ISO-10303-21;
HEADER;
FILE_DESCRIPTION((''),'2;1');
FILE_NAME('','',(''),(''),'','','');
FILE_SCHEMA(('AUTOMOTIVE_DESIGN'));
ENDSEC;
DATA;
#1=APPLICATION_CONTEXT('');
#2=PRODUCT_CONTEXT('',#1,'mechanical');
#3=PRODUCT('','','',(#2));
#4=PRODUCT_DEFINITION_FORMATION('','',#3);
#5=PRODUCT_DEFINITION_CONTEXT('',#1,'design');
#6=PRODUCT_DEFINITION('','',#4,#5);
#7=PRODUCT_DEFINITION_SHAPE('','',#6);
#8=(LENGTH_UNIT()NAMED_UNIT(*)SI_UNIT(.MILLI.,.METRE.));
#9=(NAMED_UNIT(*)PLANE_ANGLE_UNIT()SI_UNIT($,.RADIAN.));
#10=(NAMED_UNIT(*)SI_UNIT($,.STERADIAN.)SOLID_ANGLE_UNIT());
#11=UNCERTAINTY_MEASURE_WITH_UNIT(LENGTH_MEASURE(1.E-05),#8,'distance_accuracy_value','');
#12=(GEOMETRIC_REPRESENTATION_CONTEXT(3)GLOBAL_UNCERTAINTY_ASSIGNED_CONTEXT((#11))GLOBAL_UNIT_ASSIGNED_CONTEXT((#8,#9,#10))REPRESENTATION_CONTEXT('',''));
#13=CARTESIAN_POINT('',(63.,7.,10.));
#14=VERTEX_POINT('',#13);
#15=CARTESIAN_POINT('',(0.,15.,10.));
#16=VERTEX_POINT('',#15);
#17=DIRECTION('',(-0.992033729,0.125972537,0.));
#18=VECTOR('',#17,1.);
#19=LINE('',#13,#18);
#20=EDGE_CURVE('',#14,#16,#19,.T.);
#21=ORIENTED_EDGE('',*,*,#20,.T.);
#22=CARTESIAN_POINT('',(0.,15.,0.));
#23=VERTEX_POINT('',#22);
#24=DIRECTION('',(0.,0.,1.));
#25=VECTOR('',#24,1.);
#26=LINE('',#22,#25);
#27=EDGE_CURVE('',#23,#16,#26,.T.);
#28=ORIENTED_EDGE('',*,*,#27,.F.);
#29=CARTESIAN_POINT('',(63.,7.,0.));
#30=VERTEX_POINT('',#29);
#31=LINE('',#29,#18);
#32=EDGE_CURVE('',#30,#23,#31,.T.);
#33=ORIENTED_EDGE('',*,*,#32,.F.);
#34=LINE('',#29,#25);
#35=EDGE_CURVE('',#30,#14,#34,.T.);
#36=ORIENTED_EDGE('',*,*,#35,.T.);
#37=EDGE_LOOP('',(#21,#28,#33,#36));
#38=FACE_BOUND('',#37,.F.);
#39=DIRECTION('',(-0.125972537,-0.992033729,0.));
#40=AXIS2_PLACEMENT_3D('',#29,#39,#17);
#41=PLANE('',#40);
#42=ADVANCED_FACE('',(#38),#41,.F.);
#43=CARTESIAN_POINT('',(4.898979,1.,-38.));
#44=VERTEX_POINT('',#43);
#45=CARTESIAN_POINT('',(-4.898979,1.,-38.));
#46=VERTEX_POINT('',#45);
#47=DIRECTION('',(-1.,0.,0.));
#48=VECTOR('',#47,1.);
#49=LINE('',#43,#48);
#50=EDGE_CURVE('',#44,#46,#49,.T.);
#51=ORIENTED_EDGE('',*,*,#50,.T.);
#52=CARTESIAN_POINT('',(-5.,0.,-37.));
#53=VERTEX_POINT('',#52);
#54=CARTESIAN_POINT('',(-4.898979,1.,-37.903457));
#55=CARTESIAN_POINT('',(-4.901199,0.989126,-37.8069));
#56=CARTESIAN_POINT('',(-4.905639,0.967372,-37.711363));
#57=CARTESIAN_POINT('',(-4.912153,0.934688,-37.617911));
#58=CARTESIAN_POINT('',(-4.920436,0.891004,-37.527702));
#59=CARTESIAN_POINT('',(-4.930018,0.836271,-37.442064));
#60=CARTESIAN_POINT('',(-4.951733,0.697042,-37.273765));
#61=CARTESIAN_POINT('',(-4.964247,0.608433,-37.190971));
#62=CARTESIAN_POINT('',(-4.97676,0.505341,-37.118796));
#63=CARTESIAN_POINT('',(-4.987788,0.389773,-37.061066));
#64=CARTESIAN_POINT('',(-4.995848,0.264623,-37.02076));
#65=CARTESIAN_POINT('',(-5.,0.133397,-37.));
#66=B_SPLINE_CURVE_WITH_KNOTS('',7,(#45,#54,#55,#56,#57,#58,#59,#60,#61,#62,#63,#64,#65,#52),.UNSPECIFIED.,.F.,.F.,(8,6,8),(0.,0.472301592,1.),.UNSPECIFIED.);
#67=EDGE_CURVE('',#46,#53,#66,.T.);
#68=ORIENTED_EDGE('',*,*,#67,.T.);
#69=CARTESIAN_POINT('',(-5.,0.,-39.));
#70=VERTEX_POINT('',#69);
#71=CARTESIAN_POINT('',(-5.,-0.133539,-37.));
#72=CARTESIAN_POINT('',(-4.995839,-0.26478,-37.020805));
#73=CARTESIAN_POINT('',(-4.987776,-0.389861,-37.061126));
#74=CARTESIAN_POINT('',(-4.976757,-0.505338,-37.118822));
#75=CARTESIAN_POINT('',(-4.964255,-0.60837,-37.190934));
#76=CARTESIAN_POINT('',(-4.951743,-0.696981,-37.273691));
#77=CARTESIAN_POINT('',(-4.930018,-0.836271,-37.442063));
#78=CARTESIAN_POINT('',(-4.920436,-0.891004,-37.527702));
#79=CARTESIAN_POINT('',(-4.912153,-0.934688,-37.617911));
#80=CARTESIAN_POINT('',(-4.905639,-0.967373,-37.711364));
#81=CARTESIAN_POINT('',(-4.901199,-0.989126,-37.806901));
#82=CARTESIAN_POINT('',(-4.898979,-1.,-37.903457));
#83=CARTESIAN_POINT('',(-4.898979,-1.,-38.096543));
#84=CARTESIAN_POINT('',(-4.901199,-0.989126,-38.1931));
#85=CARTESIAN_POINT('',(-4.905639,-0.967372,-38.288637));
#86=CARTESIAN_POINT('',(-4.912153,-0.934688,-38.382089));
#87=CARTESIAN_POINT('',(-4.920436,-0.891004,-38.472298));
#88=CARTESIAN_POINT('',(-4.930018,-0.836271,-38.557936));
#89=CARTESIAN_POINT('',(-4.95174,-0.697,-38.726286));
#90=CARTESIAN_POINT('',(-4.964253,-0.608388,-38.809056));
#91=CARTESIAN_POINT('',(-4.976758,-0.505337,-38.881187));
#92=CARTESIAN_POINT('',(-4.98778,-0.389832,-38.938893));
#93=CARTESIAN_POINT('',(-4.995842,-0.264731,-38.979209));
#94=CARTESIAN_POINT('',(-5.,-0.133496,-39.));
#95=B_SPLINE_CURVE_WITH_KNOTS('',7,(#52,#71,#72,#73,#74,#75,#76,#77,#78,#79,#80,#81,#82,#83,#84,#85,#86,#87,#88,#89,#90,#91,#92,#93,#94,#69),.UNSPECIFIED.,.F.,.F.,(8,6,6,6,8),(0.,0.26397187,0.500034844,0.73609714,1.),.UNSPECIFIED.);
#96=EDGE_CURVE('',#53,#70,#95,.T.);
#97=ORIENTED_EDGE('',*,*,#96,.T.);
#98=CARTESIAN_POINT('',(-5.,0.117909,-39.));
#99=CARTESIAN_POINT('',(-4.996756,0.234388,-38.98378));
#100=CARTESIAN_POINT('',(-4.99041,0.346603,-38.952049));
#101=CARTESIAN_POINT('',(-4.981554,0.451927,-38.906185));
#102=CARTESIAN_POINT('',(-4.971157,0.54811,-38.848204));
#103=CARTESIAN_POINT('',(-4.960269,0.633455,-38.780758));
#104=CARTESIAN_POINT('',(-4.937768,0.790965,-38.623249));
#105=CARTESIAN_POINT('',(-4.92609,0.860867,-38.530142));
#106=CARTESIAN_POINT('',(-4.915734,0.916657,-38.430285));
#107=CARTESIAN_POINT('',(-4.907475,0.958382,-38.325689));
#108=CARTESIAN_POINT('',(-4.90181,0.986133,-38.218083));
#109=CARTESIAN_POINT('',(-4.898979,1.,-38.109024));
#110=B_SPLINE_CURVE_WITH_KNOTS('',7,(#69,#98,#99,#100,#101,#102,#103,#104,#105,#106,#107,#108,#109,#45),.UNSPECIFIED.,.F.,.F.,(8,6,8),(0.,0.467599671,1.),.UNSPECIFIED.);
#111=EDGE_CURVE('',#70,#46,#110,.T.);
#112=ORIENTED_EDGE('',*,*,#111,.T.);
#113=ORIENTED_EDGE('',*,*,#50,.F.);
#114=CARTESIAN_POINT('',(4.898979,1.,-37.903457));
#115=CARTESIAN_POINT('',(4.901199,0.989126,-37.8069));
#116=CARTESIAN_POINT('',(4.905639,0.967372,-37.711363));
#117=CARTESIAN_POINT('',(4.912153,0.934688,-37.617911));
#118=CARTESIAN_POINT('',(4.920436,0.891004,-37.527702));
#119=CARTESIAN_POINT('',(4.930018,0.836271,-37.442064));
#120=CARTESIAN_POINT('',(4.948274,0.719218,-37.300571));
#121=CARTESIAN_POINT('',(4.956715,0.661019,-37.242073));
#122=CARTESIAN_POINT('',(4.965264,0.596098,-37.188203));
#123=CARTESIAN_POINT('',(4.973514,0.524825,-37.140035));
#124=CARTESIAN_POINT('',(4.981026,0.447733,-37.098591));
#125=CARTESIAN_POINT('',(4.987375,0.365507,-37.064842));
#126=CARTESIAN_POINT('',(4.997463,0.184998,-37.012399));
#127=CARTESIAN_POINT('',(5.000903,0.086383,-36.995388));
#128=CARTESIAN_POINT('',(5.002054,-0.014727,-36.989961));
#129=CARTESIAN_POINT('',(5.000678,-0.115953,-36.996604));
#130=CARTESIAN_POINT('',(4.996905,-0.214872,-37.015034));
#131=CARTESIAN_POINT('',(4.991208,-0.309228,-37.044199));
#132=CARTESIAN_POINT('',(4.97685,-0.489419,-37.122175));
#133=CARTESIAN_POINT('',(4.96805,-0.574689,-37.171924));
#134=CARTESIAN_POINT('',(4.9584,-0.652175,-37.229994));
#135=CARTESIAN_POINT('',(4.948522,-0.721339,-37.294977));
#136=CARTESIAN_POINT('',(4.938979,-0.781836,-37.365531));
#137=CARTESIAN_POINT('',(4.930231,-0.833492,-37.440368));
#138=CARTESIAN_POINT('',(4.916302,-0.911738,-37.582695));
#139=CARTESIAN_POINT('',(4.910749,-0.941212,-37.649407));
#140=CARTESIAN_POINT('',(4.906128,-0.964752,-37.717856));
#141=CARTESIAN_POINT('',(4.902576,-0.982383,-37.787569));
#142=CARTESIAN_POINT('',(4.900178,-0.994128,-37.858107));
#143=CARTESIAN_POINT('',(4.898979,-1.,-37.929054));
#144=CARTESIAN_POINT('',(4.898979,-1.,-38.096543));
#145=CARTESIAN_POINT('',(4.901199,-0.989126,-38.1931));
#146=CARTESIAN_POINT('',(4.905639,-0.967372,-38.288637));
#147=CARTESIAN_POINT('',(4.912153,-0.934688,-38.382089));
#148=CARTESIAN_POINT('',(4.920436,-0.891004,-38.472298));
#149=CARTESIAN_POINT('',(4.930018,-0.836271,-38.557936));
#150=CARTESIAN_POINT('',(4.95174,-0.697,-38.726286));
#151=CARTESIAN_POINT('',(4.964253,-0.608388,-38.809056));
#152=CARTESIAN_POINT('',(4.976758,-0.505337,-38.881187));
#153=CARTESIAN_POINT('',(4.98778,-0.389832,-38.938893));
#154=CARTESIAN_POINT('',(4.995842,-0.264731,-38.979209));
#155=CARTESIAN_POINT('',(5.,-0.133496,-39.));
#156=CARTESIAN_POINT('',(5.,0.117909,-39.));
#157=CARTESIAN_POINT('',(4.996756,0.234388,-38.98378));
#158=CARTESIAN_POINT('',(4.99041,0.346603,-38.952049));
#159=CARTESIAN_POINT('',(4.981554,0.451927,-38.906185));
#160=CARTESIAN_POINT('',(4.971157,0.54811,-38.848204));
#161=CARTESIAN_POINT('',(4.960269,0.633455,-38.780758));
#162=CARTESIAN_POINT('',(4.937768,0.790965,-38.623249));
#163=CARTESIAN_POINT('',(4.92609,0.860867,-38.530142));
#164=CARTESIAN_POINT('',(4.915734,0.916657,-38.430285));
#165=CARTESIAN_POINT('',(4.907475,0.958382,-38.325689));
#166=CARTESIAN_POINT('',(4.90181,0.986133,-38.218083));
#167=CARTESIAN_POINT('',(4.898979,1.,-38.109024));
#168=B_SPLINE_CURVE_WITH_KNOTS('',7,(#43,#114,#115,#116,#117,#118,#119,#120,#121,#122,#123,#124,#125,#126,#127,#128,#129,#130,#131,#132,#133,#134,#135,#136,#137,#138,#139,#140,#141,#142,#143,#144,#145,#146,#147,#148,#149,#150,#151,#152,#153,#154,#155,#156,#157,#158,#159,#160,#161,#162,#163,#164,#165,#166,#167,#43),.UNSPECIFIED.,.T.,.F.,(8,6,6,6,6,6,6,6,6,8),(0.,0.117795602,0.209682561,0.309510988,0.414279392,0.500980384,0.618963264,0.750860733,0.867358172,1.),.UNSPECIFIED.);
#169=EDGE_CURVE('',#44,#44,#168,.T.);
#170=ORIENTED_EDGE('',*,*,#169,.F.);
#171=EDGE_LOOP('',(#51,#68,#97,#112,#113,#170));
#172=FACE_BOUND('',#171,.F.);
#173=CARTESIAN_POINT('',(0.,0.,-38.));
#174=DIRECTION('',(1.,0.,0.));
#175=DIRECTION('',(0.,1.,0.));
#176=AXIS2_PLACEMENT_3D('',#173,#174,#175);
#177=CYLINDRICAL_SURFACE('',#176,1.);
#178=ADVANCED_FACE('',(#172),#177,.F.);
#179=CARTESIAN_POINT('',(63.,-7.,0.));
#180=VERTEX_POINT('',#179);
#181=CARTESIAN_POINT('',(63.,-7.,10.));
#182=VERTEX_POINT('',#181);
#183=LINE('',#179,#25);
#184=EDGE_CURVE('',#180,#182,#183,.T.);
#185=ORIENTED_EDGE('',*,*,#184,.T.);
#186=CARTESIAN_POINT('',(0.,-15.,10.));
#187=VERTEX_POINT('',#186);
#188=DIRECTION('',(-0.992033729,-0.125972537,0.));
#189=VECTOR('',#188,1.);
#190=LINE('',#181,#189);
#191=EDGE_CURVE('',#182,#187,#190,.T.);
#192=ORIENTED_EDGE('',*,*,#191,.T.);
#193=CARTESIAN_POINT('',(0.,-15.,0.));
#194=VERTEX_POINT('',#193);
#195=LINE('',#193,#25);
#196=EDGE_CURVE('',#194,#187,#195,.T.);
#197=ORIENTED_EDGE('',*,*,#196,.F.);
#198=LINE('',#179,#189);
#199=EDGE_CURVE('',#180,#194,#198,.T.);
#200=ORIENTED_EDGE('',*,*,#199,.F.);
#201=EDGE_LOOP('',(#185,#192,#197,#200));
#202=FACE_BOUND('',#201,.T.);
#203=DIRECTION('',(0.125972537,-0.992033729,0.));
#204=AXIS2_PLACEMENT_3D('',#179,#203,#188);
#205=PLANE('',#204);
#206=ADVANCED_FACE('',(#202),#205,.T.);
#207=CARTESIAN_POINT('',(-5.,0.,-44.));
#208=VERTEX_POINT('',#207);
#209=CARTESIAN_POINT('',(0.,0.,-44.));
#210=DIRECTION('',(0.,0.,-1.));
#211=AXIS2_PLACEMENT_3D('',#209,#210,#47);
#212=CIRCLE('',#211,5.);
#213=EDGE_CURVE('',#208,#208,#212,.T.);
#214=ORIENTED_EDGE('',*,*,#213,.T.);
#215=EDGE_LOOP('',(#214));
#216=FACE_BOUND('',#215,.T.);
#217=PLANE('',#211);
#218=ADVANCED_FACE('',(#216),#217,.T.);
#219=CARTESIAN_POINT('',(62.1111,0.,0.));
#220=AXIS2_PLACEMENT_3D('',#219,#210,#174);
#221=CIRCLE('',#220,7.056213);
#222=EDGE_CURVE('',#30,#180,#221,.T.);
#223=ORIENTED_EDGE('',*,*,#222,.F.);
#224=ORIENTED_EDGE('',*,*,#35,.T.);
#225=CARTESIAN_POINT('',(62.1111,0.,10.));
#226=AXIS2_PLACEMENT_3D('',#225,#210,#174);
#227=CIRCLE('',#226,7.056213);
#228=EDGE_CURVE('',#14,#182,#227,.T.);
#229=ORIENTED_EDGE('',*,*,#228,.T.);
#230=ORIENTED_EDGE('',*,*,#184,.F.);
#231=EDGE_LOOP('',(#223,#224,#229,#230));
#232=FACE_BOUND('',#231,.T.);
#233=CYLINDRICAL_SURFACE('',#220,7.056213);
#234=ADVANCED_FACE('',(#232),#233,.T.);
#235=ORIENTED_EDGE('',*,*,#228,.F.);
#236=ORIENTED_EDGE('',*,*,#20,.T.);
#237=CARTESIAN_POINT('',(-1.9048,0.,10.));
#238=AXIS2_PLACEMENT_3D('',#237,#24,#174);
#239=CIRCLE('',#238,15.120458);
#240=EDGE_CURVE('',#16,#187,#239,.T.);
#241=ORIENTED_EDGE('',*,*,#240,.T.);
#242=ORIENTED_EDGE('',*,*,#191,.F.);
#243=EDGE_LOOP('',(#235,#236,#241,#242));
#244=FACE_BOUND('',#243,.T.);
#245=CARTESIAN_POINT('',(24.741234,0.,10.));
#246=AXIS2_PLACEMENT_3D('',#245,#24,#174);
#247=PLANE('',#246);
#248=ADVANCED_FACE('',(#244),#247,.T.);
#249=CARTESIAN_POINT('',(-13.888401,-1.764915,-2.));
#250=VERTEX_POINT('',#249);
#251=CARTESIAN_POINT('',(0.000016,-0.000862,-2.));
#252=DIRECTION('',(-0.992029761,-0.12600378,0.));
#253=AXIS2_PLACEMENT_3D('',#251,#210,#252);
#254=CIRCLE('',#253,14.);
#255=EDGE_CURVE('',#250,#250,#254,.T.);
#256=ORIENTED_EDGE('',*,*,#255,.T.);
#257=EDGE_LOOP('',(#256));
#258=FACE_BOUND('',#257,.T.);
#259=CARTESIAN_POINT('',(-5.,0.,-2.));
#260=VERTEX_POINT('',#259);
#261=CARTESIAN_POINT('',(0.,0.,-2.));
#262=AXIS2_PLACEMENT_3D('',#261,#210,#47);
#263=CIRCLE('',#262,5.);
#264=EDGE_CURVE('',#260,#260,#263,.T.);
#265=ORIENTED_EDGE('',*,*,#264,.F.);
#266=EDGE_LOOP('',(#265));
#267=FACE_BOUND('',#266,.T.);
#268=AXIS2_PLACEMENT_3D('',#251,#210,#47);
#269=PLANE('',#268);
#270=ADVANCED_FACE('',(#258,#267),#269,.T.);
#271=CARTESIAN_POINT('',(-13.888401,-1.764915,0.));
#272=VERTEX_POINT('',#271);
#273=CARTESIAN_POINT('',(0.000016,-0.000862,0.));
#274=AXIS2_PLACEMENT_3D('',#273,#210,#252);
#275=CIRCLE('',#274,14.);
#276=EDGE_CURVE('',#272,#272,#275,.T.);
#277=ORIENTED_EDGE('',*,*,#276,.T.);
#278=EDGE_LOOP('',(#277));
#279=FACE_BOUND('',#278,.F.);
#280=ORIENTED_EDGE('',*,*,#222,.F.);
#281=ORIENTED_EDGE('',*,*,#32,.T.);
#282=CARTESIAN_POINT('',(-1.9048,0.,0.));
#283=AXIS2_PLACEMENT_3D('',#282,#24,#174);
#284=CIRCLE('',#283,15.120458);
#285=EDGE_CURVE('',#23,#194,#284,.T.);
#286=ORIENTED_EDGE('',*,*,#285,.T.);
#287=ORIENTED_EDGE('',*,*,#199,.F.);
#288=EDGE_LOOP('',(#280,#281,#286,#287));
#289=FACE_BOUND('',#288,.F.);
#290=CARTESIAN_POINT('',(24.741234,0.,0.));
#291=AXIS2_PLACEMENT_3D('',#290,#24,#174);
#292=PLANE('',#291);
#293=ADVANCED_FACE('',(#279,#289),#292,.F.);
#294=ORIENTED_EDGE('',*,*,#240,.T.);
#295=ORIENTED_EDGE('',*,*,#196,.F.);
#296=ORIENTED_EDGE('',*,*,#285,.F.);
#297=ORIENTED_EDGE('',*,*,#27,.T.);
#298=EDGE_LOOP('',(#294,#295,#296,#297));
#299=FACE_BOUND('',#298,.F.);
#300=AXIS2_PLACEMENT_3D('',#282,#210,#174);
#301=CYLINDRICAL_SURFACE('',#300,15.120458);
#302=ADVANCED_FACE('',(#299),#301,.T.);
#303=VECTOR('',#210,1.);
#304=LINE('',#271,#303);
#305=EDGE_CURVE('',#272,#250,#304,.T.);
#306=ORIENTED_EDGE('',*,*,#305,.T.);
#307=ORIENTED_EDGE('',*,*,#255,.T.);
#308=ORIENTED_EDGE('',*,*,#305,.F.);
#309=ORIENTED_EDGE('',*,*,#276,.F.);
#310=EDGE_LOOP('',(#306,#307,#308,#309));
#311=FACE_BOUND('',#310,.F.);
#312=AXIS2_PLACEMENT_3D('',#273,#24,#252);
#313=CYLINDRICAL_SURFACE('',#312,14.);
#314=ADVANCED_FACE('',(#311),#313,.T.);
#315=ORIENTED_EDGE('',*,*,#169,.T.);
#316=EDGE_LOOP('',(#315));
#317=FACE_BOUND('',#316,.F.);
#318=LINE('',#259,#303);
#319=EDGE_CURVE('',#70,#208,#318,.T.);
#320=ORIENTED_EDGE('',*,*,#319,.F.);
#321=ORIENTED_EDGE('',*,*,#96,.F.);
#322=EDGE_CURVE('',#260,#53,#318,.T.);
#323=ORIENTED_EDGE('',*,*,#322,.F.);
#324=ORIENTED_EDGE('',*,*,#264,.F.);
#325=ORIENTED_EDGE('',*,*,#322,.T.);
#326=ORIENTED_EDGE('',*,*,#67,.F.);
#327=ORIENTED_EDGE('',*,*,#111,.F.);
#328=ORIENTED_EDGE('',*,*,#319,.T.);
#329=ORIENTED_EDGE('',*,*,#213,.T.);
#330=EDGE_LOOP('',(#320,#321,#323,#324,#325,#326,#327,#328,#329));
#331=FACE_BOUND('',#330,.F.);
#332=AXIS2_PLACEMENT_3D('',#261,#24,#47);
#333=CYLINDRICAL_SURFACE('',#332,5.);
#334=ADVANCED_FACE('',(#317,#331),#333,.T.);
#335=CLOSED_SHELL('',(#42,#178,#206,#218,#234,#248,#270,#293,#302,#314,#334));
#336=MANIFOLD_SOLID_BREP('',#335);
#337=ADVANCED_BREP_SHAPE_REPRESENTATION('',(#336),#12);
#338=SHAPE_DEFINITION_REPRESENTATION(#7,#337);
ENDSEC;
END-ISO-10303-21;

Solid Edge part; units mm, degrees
sketch "Sketch1" plane through (0, 0, 0) normal (0, 0, 1) x (1, 0, 0)
  line L0 (63, 7) -> (0, 15)
  arc A0 (0, 15) -> (0, -15) centre (-1.9048, 0) ccw
  line L1 (63, -7) -> (0, -15)
  arc A1 (63, 7) -> (63, -7) centre (62.1111, 0) cw
extrude "Protrusion1" add sketch "Sketch1" along normal blind 10
sketch "Sketch2" plane through (26.0711, 0, 0) normal (0, 0, -1) x (-0.992, -0.126, 0)
  circle A0 centre (25.8634, 3.2842) radius 14
extrude "ExtrudedProtrusion_3" add sketch "Sketch2" along normal blind 2
sketch "Sketch3" plane through (26.0711, 0, -2) normal (0, 0, -1) x (-1, 0, 0)
  circle A0 centre (26.0711, 0) radius 5
extrude "ExtrudedProtrusion_2" add sketch "Sketch3" along normal blind 42
sketch "Sketch4" plane through (0, 0, 0) normal (1, 0, 0) x (0, 1, 0)
  circle A0 centre (0, -38) radius 1
  dimension "D1" = 36
extrude "Cutout1" cut sketch "Sketch4" along normal mid plane 36.7222
